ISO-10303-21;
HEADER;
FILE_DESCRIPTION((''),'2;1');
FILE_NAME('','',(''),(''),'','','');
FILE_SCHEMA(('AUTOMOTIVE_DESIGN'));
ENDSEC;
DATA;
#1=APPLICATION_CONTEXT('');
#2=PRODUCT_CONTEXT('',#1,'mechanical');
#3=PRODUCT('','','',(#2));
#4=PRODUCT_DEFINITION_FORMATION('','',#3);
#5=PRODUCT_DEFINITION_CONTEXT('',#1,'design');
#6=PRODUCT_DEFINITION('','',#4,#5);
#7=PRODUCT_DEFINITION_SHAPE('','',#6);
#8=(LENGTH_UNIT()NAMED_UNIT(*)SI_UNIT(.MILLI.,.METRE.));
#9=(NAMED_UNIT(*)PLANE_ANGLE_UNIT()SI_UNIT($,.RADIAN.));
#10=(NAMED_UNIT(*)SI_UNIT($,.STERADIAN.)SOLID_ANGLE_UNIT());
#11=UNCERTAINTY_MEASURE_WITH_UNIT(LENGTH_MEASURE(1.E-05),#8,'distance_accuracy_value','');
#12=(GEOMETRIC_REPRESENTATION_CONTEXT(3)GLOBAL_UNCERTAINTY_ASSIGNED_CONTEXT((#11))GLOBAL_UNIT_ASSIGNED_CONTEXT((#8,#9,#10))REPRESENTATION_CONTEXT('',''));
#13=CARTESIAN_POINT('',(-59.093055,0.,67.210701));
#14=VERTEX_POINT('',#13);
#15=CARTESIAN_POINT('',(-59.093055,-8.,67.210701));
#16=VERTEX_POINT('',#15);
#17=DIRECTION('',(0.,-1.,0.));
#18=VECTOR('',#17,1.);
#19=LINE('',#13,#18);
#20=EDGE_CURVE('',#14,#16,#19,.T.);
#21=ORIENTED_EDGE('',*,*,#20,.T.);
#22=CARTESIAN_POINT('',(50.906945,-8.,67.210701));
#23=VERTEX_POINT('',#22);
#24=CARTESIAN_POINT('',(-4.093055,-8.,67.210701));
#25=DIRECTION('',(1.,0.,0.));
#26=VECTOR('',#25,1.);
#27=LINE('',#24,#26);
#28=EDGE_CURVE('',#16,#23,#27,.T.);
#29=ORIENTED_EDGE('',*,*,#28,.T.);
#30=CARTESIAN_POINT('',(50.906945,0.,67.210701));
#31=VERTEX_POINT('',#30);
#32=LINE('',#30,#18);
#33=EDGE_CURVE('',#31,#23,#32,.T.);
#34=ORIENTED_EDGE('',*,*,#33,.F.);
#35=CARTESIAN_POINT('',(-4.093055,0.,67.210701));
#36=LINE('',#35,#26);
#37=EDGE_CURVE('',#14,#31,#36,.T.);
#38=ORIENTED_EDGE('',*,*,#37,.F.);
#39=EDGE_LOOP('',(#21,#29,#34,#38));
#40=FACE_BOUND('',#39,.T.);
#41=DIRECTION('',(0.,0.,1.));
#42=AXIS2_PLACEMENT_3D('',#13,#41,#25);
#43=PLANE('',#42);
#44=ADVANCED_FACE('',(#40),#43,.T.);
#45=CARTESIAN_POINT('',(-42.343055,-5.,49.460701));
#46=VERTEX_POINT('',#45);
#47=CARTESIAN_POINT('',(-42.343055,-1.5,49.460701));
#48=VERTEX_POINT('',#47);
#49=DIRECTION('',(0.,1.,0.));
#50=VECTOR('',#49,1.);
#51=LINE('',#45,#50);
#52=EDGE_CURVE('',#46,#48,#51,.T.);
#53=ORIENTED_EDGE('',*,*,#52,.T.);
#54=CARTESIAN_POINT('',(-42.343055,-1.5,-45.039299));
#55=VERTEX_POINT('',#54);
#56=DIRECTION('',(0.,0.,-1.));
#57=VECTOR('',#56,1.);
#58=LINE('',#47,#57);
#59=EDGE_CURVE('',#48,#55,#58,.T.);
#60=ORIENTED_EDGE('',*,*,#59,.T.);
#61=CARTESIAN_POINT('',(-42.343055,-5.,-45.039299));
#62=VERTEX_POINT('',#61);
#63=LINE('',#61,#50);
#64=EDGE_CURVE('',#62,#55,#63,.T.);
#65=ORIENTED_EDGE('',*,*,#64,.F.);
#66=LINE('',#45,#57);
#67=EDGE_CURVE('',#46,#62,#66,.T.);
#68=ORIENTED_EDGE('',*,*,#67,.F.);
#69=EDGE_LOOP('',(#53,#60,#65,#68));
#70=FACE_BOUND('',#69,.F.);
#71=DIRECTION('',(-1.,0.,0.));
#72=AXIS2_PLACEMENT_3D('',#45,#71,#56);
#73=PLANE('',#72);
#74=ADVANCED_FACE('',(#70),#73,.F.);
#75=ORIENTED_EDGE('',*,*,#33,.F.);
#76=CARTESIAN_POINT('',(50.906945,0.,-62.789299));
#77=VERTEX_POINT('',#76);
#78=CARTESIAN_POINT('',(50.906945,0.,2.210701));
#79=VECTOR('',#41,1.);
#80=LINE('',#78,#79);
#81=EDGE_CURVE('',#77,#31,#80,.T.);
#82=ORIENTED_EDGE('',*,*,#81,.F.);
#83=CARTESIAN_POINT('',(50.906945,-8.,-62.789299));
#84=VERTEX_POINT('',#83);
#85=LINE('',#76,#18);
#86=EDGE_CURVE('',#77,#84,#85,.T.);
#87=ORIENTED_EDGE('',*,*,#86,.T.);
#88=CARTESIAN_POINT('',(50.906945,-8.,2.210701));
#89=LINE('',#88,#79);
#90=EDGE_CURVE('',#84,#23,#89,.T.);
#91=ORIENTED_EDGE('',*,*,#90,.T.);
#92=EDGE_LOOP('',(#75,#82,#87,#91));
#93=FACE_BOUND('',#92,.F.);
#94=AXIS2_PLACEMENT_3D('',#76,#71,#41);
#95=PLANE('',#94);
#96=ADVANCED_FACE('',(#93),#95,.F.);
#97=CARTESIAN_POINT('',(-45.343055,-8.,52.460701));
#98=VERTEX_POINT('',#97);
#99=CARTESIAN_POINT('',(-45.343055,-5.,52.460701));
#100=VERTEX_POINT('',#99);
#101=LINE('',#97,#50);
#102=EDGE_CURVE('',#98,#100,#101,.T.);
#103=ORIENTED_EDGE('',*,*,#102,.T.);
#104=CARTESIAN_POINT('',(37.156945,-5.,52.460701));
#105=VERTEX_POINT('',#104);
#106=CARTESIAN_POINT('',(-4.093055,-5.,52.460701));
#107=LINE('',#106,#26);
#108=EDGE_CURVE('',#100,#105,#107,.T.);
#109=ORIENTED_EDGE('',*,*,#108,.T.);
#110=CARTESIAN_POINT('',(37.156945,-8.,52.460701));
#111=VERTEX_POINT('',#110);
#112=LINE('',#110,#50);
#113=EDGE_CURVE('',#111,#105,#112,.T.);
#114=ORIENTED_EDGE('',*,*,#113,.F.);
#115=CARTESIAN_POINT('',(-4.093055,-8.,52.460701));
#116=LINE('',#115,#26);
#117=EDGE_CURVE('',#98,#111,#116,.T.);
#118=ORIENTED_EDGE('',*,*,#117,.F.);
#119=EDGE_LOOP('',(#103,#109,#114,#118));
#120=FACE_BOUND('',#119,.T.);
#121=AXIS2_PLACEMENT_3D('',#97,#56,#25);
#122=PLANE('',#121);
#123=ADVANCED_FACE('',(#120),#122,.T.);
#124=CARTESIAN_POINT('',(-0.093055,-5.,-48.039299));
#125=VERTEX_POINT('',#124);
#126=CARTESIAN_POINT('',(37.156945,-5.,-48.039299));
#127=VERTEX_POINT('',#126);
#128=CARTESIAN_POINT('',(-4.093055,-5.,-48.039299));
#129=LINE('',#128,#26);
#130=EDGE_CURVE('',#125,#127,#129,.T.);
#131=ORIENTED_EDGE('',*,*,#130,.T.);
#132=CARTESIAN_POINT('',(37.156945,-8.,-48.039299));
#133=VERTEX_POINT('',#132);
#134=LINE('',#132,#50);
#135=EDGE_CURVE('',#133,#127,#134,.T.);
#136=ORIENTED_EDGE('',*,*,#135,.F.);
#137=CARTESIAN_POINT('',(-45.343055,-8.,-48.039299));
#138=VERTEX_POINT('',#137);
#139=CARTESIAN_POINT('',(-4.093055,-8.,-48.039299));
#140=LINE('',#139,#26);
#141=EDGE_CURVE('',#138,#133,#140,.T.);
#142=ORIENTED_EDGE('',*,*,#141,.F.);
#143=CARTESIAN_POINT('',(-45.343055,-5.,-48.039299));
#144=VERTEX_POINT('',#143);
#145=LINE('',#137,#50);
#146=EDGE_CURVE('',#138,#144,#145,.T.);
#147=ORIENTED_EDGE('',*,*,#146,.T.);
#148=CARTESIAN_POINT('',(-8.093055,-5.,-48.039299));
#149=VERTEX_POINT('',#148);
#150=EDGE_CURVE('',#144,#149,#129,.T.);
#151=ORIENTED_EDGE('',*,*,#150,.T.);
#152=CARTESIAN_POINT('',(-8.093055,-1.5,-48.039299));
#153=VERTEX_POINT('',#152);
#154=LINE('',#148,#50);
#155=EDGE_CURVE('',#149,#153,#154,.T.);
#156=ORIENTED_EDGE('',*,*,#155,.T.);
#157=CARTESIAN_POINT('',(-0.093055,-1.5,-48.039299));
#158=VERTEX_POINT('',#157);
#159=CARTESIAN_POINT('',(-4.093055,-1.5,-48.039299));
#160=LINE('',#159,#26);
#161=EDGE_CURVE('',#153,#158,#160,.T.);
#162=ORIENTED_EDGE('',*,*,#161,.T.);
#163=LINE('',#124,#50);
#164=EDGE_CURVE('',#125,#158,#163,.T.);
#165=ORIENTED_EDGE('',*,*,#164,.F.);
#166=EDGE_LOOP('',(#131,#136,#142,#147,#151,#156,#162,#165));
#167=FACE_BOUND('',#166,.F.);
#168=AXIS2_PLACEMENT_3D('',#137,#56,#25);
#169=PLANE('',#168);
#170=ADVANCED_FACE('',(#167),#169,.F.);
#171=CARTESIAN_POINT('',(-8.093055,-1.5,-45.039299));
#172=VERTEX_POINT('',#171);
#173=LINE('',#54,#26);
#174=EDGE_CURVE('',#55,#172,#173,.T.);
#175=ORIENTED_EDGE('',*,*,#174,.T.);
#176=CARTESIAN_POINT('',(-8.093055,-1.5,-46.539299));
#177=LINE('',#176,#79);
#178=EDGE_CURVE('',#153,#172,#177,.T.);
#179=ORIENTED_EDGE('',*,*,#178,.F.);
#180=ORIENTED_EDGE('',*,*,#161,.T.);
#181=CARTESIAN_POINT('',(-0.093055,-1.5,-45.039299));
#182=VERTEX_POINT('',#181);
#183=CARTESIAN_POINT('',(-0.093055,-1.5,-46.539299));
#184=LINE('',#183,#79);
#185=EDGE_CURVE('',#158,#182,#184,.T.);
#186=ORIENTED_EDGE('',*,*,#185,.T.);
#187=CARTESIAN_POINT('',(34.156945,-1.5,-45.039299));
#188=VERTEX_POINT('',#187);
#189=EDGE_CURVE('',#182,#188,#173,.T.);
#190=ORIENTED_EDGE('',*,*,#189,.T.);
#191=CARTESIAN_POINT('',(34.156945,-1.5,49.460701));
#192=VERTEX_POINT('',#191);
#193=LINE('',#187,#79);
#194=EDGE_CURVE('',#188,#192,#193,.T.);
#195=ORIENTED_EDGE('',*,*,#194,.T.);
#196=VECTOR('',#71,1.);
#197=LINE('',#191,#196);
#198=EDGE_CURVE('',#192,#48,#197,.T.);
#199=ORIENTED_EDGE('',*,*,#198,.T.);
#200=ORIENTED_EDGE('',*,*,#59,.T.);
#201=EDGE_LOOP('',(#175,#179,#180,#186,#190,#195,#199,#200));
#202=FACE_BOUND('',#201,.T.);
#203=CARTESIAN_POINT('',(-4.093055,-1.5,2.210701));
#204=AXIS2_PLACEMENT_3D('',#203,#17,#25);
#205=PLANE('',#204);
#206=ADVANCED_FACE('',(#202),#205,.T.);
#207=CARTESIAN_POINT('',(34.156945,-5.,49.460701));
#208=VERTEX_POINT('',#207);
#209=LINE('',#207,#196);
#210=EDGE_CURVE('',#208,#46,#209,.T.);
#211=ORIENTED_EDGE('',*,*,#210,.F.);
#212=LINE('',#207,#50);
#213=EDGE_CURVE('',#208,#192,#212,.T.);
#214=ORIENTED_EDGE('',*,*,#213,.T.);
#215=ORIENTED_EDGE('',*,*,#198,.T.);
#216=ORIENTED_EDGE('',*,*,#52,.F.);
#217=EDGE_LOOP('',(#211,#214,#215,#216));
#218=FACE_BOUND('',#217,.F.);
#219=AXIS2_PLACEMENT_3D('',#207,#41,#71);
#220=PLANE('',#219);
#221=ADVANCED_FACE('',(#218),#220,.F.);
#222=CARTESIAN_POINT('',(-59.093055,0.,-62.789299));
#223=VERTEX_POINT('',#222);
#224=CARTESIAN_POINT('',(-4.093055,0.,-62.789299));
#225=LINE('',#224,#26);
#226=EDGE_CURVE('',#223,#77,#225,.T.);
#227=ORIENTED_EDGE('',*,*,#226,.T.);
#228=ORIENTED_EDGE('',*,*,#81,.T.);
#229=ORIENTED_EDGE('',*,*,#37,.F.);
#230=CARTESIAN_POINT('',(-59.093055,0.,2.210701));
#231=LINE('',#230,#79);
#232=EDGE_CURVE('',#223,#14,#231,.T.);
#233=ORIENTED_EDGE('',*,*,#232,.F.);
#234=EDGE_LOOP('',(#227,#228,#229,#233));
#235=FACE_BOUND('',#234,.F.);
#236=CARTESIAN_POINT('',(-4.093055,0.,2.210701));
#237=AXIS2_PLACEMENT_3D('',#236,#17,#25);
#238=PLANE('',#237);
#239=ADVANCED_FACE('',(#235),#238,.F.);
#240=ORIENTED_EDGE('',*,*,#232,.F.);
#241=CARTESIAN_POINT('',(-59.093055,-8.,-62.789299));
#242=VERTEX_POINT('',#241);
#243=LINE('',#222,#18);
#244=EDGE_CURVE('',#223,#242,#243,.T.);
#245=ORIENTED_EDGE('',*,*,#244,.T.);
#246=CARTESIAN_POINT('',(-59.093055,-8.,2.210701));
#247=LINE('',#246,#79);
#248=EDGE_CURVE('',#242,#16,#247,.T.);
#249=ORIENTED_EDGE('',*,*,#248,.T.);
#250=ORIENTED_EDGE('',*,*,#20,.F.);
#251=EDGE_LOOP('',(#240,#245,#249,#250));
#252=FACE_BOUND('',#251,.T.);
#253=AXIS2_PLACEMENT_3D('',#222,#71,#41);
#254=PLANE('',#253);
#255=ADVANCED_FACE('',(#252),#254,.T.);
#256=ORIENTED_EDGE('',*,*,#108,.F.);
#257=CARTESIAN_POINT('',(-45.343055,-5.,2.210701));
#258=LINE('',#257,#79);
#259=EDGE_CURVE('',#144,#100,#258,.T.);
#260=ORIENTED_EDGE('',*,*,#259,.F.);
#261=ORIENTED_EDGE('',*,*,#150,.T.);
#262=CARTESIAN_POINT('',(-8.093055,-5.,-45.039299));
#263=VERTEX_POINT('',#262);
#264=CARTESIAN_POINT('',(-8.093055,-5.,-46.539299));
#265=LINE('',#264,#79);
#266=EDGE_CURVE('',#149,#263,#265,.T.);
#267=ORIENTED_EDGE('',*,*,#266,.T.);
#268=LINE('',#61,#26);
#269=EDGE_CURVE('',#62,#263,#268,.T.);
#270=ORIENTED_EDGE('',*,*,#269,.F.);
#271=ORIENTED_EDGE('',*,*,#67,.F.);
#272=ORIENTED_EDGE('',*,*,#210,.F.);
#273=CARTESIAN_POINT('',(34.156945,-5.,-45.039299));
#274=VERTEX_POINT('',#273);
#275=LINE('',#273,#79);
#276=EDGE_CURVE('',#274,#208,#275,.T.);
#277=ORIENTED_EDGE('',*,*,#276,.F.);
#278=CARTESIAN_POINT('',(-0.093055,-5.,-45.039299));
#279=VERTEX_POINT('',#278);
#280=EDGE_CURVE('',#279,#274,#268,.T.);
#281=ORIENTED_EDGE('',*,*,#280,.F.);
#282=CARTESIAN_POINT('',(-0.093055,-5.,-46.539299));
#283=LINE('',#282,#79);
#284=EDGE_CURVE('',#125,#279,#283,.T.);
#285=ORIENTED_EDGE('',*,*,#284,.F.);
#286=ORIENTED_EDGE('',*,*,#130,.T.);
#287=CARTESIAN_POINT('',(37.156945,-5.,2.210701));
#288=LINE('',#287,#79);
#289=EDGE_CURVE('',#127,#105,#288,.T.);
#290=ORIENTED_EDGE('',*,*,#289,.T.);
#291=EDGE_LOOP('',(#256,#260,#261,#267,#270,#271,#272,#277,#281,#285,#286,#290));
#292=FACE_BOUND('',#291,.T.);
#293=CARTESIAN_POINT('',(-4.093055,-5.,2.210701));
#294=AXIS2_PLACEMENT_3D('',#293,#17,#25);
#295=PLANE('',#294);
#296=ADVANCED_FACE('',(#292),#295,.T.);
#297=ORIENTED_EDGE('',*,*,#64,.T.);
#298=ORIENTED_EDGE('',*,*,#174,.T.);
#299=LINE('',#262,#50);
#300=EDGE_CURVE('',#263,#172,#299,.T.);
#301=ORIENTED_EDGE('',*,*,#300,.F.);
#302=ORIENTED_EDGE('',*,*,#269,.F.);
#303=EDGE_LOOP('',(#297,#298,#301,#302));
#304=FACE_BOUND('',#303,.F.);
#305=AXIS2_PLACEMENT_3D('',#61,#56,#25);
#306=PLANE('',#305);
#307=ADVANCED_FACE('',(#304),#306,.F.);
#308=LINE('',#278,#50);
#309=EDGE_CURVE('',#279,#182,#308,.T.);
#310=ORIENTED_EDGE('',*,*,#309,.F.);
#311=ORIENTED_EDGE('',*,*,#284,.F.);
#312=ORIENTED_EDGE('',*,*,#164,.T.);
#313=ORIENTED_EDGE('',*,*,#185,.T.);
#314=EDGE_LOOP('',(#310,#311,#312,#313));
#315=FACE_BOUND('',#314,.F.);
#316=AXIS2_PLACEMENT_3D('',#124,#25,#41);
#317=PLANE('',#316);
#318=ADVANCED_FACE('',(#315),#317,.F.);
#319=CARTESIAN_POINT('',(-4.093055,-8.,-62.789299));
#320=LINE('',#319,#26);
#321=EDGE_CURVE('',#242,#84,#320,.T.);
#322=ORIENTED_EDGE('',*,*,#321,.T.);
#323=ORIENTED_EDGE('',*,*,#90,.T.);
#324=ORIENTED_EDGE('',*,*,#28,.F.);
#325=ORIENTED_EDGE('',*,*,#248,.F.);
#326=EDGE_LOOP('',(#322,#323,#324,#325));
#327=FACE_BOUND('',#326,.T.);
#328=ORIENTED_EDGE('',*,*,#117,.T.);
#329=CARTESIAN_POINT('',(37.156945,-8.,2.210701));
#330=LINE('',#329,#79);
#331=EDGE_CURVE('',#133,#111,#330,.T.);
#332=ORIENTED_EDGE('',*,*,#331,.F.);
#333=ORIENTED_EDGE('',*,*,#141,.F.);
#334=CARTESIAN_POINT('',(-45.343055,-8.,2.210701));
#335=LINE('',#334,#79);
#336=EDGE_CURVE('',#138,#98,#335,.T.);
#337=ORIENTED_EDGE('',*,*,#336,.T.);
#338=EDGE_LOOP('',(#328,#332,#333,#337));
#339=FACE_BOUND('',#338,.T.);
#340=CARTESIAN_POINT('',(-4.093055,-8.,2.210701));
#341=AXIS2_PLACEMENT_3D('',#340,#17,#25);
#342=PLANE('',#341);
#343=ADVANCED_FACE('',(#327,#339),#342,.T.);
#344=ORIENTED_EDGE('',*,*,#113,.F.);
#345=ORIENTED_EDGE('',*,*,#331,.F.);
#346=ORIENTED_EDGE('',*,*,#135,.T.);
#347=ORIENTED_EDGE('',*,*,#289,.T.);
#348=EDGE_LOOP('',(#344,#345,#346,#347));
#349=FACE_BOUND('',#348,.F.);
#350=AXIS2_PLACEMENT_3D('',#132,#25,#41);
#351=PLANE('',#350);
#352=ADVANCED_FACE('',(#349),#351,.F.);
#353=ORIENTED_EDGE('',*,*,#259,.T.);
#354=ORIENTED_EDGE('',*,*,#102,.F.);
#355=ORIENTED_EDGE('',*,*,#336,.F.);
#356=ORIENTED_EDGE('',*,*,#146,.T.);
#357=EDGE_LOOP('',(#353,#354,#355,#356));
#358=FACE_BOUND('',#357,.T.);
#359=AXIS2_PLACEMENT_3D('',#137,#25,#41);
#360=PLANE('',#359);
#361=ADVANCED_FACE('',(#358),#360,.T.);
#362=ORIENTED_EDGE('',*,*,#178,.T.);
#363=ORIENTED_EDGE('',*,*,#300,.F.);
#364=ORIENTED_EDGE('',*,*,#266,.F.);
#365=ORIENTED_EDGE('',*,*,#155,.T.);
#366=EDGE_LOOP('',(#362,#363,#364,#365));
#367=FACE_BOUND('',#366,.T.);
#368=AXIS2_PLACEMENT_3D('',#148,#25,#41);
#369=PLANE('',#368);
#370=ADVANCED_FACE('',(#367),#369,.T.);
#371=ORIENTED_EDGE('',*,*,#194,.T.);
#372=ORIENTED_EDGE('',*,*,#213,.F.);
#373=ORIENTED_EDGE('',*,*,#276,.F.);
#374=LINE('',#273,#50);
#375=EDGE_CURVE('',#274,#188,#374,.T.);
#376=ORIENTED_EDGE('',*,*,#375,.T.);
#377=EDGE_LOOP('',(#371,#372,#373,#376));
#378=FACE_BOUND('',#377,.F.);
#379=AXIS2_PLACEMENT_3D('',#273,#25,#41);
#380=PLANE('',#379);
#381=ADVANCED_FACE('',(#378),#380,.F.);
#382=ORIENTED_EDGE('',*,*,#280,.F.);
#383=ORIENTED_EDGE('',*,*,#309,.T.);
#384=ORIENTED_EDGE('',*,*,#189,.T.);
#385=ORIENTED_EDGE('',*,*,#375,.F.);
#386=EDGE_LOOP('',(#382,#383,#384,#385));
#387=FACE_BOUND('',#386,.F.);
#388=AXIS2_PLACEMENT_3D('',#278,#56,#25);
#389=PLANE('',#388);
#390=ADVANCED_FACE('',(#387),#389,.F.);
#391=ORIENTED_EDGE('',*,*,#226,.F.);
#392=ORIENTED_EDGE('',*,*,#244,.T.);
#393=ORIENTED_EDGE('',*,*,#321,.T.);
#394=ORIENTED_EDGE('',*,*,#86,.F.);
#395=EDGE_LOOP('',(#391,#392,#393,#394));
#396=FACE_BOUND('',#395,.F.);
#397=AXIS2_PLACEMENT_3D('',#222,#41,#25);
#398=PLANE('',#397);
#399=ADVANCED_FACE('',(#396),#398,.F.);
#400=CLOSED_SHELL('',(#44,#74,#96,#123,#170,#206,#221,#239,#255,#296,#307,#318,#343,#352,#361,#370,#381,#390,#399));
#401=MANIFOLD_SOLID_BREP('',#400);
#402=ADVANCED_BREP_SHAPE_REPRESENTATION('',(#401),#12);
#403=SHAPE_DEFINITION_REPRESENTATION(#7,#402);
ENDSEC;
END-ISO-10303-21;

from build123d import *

# Parameters (mm, degrees)
F0_W     = 110
F0_H     = 130
F1_DEPTH = 8
F2_W     = 82.5
F2_H     = 100.5
F3_DEPTH = 3
F4_W     = 8
F4_H     = 3
F5_DEPTH = 3.5


with BuildPart() as f1:
    # F0 (on Front) → F1 (new body)
    with BuildSketch(Plane.XZ):
        with Locations((-4.093055, 2.210701)):
            Rectangle(F0_W, F0_H)
    extrude(amount=F1_DEPTH)

    # F2 (on face) → F3 (cut)
    with BuildSketch(Plane.XZ.offset(8)):
        with Locations((-4.093055, 2.210701)):
            Rectangle(F2_W, F2_H)
    extrude(amount=-F3_DEPTH, mode=Mode.SUBTRACT)

    # F4 (on face) → F5 (cut)
    with BuildSketch(Plane.XZ.offset(5)):
        Polygon((34.156945, 49.460701), (-42.343055, 49.460701), (-42.343055, -45.039299), (-8.093055, -45.039299), (-0.093055, -45.039299), (34.156945, -45.039299), align=None)
        with Locations((-4.093055, -46.539299)):
            Rectangle(F4_W, F4_H)
    extrude(amount=-F5_DEPTH, mode=Mode.SUBTRACT)


solid = f1.part
